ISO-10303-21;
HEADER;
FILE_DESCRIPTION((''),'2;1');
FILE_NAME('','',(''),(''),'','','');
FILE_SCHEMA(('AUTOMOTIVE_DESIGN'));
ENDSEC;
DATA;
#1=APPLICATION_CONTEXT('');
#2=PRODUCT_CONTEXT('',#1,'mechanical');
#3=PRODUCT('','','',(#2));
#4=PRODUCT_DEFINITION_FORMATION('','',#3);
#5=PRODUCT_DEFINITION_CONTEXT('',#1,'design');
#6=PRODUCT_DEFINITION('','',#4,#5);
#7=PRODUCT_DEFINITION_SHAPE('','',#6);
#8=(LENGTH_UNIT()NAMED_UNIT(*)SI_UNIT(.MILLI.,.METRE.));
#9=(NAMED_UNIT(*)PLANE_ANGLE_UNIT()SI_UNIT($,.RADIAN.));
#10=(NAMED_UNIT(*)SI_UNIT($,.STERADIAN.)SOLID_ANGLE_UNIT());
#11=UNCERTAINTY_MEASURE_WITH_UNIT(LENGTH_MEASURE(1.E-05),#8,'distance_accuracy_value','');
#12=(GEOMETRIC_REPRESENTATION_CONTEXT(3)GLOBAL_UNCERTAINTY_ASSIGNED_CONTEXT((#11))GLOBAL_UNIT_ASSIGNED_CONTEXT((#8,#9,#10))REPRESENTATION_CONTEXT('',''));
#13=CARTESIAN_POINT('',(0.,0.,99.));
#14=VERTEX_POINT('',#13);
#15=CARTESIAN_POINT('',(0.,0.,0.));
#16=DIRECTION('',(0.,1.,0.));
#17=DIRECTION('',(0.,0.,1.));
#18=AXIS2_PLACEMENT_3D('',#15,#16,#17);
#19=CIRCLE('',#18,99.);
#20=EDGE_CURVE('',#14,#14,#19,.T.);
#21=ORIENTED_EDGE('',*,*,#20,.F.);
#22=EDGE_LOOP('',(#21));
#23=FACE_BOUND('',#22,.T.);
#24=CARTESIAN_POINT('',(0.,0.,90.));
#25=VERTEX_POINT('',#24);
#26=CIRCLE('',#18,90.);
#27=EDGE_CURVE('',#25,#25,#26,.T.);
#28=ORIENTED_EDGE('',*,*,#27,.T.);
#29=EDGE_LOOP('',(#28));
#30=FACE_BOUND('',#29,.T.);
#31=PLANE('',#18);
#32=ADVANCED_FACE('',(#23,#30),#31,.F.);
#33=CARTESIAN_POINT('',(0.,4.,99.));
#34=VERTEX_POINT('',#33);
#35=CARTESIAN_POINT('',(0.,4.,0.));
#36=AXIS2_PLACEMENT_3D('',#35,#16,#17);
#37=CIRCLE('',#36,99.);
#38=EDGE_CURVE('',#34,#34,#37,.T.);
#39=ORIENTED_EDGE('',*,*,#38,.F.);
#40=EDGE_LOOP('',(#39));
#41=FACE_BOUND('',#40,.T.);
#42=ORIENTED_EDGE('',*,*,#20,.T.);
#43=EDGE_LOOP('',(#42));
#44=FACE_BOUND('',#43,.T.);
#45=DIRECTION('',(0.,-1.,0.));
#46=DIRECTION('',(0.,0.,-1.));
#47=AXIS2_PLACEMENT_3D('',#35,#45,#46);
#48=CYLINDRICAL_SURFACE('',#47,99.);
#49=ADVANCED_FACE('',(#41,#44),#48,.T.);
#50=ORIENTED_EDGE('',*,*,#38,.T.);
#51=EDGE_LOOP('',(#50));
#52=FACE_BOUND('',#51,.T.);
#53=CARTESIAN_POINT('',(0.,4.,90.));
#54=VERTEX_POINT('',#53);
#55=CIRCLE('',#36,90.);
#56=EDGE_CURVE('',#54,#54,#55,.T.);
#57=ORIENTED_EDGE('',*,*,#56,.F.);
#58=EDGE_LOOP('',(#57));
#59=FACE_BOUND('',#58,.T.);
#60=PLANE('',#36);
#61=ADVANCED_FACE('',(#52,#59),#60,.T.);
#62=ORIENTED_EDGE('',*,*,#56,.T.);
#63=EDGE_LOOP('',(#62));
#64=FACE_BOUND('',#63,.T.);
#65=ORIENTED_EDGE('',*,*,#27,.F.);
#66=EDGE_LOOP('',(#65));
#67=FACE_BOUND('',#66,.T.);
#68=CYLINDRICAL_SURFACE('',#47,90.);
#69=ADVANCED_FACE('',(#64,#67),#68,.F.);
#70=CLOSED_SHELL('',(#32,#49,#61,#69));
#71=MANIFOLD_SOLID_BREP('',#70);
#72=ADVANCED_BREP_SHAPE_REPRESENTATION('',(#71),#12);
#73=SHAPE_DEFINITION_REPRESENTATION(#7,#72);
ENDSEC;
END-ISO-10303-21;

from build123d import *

# Parameters (mm, degrees)
ESBO_O1_R                = 99
ESBO_O1_R_2              = 90
RESSALTO_EXTRUS_O1_DEPTH = 4


with BuildPart() as part:
    # Esboço1 → Ressalto-extrusão1 (new body)
    with BuildSketch(Plane(origin=(0, 0, 0), x_dir=(1, 0, 0), z_dir=(0, 1, 0))):
        Circle(ESBO_O1_R)
        Circle(ESBO_O1_R_2, mode=Mode.SUBTRACT)
    extrude(amount=RESSALTO_EXTRUS_O1_DEPTH)


solid = part.part
